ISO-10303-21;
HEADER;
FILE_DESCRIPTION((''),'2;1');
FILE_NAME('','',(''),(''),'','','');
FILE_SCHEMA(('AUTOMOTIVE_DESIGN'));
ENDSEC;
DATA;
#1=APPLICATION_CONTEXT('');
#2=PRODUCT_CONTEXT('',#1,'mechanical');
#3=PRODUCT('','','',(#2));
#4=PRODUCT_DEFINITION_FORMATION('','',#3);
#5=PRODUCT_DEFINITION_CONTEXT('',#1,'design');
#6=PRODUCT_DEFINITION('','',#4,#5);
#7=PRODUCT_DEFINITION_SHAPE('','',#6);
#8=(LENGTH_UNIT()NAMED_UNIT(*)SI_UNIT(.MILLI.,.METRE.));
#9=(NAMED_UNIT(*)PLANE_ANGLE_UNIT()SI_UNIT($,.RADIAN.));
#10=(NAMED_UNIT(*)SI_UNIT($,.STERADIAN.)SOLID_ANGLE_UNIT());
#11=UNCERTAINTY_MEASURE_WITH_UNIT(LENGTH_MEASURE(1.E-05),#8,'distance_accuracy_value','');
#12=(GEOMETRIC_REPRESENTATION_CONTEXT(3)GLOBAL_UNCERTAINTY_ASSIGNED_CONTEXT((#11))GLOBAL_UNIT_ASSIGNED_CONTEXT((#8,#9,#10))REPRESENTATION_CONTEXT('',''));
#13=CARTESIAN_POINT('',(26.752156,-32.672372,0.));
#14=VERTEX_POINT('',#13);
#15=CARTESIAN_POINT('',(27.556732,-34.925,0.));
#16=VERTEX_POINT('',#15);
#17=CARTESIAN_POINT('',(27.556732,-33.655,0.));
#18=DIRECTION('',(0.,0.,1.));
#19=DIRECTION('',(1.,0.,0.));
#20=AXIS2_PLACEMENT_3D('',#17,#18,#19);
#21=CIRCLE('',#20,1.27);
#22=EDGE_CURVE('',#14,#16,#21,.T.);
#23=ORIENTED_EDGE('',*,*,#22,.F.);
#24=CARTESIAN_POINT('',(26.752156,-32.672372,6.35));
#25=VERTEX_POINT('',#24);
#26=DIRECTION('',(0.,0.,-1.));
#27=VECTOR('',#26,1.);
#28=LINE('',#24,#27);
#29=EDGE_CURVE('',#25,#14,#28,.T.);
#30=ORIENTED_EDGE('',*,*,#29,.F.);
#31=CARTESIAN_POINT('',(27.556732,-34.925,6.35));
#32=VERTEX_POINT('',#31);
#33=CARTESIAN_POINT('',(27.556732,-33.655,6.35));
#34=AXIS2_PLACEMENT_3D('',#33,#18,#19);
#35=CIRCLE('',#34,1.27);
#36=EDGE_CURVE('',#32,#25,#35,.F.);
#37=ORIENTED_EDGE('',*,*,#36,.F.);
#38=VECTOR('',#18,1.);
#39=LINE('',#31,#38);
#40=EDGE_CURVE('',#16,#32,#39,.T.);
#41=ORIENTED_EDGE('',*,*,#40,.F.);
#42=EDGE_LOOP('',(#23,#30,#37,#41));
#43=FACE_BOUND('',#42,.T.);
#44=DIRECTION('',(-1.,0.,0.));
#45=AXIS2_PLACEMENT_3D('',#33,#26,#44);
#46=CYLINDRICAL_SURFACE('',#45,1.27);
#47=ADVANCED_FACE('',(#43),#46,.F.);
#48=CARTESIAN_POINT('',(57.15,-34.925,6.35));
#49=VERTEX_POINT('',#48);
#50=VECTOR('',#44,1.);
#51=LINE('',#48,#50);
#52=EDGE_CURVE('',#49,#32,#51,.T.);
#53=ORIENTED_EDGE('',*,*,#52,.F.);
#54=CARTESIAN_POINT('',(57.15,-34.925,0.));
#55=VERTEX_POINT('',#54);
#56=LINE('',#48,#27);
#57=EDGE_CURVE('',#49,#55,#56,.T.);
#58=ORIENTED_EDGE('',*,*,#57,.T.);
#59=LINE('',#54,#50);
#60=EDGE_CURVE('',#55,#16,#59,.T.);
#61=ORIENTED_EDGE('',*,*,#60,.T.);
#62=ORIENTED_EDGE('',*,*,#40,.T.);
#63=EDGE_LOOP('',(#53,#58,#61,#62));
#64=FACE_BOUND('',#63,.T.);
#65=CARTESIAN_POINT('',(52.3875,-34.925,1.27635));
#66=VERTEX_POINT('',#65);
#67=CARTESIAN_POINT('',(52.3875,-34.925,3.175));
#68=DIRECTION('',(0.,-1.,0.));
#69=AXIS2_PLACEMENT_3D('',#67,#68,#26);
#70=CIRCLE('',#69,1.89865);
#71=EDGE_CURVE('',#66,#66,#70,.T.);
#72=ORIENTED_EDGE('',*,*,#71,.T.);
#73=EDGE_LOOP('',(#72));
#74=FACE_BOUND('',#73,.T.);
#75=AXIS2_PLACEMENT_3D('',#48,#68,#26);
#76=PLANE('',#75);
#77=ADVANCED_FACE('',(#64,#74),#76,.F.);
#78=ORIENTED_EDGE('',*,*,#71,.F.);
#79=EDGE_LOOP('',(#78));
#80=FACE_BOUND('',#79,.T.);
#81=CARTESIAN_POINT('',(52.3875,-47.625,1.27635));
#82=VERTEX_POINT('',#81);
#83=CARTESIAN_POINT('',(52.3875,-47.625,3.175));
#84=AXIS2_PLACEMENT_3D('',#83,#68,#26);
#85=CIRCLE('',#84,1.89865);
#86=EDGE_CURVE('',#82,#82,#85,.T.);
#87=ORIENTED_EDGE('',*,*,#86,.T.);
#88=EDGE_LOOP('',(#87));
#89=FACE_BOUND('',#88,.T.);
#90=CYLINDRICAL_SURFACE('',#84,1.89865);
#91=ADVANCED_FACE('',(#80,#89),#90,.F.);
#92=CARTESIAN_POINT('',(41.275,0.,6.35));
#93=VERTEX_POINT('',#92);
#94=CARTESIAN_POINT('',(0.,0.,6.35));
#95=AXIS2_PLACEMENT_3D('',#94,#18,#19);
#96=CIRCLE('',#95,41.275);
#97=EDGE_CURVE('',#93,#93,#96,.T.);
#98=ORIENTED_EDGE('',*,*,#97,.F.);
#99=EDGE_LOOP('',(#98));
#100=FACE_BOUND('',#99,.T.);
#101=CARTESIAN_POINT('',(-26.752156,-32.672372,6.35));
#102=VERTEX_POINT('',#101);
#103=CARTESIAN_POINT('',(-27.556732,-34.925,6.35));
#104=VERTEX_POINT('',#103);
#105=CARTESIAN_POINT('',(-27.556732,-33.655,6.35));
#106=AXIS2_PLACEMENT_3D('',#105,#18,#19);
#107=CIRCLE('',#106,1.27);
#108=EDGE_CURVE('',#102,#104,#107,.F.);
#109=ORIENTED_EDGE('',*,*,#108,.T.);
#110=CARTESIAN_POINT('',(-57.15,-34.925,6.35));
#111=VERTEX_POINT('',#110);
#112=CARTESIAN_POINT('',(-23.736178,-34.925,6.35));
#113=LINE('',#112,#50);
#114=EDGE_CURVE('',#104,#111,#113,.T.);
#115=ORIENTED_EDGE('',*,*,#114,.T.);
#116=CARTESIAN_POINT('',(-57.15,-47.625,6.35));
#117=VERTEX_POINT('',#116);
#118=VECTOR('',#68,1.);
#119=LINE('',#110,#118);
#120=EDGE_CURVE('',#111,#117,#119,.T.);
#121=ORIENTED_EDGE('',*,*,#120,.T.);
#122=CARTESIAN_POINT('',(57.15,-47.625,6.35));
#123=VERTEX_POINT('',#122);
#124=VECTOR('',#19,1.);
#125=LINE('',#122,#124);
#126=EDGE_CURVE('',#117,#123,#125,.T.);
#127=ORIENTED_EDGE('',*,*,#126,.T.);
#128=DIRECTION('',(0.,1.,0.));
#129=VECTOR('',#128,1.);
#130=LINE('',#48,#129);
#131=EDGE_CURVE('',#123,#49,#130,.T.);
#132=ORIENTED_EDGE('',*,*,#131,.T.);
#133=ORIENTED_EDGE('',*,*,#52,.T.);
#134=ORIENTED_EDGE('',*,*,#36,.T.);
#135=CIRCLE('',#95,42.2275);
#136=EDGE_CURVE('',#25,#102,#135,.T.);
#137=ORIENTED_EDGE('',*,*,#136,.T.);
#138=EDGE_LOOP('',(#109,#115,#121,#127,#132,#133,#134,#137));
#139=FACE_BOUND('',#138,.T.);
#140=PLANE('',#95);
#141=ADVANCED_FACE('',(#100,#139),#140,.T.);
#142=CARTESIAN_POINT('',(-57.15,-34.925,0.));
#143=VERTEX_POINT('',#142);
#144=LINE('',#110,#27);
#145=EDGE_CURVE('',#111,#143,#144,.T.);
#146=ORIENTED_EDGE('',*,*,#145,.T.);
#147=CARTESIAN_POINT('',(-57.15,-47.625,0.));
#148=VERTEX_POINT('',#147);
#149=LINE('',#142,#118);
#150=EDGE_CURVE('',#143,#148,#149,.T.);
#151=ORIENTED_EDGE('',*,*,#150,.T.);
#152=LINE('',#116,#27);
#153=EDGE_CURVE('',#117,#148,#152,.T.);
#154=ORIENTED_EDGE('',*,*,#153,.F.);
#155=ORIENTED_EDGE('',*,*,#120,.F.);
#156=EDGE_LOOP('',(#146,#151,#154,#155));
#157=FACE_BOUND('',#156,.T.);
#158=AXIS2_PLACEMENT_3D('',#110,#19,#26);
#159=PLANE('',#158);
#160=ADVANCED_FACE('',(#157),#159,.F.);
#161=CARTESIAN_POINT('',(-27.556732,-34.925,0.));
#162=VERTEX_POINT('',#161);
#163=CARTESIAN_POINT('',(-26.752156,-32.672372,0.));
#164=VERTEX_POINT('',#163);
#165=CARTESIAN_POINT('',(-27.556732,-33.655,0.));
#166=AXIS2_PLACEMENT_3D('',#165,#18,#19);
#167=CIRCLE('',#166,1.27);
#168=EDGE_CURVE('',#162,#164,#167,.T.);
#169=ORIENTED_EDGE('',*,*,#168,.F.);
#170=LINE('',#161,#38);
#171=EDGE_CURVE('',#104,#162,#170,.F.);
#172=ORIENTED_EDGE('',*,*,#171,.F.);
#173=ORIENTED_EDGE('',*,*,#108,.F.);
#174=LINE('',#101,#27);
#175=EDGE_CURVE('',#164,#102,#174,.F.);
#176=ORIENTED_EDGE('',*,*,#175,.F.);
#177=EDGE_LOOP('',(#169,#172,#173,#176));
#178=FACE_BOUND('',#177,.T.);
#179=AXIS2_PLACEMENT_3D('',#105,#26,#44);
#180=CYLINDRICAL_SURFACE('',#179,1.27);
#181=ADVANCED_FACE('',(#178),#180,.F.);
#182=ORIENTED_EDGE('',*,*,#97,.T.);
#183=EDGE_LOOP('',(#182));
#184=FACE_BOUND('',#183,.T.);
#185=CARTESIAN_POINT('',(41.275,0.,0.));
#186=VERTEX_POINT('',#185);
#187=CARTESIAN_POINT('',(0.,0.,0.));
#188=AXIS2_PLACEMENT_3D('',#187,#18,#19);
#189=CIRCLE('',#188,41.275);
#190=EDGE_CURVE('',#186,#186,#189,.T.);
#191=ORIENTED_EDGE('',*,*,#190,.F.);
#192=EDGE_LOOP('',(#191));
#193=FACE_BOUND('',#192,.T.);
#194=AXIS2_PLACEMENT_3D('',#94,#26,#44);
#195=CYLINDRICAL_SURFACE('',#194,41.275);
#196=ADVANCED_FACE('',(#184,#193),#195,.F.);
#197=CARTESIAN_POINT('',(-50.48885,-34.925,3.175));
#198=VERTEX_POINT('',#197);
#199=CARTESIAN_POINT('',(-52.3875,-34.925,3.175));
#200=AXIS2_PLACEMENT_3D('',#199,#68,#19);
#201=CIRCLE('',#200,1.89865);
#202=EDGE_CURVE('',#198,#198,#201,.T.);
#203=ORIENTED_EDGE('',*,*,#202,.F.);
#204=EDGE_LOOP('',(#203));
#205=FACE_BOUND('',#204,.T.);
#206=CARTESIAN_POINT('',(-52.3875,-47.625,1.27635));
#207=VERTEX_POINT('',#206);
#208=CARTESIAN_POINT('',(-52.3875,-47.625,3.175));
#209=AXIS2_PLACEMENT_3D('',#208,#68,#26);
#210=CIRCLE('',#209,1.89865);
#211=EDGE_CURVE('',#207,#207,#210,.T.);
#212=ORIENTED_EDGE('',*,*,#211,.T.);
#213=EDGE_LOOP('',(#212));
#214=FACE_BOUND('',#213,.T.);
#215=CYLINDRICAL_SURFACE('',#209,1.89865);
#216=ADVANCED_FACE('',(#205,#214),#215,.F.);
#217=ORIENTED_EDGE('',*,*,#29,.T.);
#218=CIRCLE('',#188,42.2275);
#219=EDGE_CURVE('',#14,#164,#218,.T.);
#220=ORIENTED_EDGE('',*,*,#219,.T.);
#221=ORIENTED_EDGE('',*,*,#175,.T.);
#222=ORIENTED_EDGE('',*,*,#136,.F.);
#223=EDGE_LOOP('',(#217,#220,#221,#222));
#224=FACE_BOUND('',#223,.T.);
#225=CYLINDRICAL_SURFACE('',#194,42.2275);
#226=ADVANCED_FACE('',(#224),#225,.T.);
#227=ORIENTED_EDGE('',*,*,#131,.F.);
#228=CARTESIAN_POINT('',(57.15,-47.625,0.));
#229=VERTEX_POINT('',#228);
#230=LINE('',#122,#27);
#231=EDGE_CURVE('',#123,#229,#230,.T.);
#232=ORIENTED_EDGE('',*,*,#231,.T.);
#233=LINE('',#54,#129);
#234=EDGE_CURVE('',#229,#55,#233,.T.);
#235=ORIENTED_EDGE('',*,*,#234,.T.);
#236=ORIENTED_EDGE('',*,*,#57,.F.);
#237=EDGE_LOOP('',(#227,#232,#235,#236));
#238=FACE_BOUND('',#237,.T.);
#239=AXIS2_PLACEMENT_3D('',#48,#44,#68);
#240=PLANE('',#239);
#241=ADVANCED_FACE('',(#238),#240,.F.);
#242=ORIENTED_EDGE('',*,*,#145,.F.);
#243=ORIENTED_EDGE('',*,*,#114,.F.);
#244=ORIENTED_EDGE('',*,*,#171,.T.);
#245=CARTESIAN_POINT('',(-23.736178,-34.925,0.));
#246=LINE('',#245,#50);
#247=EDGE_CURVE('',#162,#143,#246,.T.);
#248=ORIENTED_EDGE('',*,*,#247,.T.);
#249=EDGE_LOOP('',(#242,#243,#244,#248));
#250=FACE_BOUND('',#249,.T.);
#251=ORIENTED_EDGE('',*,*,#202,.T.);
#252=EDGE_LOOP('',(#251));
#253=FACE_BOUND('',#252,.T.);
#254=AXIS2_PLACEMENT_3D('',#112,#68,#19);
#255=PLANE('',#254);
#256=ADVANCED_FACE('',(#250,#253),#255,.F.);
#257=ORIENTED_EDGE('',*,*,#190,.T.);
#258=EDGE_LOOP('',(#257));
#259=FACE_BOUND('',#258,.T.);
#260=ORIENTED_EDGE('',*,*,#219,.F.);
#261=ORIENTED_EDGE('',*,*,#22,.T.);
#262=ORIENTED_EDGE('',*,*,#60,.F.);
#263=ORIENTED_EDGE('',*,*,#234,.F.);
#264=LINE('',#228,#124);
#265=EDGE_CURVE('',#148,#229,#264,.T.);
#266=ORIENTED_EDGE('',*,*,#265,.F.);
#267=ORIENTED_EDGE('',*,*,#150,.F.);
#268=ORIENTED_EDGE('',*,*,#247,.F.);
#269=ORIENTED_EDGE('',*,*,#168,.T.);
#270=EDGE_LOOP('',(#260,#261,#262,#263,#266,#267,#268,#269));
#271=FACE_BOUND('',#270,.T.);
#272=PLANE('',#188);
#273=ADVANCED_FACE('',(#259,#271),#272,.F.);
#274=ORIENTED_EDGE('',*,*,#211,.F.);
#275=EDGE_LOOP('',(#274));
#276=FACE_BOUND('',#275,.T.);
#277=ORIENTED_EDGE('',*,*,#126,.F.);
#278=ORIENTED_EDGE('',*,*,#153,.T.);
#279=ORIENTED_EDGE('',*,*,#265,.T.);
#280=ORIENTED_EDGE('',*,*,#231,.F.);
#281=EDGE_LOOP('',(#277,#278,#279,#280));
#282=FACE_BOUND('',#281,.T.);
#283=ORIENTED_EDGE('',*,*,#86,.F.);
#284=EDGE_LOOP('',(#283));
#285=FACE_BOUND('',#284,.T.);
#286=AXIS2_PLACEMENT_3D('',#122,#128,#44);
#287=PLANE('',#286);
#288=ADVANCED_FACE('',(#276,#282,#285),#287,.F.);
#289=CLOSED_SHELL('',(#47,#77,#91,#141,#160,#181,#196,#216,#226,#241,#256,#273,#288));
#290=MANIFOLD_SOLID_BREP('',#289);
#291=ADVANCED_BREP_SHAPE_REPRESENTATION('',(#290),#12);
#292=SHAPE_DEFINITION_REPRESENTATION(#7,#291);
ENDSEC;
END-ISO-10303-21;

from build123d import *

# Parameters (mm, degrees)
SKETCH1_R                 = 41.275
BOSS_EXTRUDE1_DEPTH       = 6.35
FILLET1_R                 = 1.27
F_6_CLEARANCE_HOLE1_D     = 3.7973
F_6_CLEARANCE_HOLE1_DEPTH = 25.4
F_6_CLEARANCE_HOLE1_TIP   = 1.140824014


with BuildPart() as part:
    # Sketch1 → Boss-Extrude1 (new body)
    with BuildSketch(Plane.XY):
        with BuildLine():
            Line((-23.736177688, -34.925), (-57.15, -34.925))
            Line((-57.15, -34.925), (-57.15, -47.625))
            Line((-57.15, -47.625), (57.15, -47.625))
            Line((57.15, -47.625), (57.15, -34.925))
            Line((57.15, -34.925), (23.736177688, -34.925))
            ThreePointArc((23.736177688, -34.925), (0, 42.2275), (-23.736177688, -34.925))
        make_face()
        Circle(SKETCH1_R, mode=Mode.SUBTRACT)
    extrude(amount=BOSS_EXTRUDE1_DEPTH)

    # Fillet1
    fillet1_edges = [part.edges().sort_by_distance(p)[0] for p in [
        (-23.736177688, -34.925, 3.175),
        (23.736177688, -34.925, 3.175),
    ]]
    fillet(fillet1_edges, radius=FILLET1_R)

    # #6 Clearance Hole1
    with Locations(Plane.XZ.offset(47.625)):
        with Locations((-52.3875, 3.175), (52.3875, 3.175)):
            Hole(F_6_CLEARANCE_HOLE1_D / 2, depth=F_6_CLEARANCE_HOLE1_DEPTH)
            with Locations((0, 0, -(F_6_CLEARANCE_HOLE1_DEPTH + F_6_CLEARANCE_HOLE1_TIP / 2))):  # 118° drill point
                Cone(0, F_6_CLEARANCE_HOLE1_D / 2, F_6_CLEARANCE_HOLE1_TIP, mode=Mode.SUBTRACT)


solid = part.part
